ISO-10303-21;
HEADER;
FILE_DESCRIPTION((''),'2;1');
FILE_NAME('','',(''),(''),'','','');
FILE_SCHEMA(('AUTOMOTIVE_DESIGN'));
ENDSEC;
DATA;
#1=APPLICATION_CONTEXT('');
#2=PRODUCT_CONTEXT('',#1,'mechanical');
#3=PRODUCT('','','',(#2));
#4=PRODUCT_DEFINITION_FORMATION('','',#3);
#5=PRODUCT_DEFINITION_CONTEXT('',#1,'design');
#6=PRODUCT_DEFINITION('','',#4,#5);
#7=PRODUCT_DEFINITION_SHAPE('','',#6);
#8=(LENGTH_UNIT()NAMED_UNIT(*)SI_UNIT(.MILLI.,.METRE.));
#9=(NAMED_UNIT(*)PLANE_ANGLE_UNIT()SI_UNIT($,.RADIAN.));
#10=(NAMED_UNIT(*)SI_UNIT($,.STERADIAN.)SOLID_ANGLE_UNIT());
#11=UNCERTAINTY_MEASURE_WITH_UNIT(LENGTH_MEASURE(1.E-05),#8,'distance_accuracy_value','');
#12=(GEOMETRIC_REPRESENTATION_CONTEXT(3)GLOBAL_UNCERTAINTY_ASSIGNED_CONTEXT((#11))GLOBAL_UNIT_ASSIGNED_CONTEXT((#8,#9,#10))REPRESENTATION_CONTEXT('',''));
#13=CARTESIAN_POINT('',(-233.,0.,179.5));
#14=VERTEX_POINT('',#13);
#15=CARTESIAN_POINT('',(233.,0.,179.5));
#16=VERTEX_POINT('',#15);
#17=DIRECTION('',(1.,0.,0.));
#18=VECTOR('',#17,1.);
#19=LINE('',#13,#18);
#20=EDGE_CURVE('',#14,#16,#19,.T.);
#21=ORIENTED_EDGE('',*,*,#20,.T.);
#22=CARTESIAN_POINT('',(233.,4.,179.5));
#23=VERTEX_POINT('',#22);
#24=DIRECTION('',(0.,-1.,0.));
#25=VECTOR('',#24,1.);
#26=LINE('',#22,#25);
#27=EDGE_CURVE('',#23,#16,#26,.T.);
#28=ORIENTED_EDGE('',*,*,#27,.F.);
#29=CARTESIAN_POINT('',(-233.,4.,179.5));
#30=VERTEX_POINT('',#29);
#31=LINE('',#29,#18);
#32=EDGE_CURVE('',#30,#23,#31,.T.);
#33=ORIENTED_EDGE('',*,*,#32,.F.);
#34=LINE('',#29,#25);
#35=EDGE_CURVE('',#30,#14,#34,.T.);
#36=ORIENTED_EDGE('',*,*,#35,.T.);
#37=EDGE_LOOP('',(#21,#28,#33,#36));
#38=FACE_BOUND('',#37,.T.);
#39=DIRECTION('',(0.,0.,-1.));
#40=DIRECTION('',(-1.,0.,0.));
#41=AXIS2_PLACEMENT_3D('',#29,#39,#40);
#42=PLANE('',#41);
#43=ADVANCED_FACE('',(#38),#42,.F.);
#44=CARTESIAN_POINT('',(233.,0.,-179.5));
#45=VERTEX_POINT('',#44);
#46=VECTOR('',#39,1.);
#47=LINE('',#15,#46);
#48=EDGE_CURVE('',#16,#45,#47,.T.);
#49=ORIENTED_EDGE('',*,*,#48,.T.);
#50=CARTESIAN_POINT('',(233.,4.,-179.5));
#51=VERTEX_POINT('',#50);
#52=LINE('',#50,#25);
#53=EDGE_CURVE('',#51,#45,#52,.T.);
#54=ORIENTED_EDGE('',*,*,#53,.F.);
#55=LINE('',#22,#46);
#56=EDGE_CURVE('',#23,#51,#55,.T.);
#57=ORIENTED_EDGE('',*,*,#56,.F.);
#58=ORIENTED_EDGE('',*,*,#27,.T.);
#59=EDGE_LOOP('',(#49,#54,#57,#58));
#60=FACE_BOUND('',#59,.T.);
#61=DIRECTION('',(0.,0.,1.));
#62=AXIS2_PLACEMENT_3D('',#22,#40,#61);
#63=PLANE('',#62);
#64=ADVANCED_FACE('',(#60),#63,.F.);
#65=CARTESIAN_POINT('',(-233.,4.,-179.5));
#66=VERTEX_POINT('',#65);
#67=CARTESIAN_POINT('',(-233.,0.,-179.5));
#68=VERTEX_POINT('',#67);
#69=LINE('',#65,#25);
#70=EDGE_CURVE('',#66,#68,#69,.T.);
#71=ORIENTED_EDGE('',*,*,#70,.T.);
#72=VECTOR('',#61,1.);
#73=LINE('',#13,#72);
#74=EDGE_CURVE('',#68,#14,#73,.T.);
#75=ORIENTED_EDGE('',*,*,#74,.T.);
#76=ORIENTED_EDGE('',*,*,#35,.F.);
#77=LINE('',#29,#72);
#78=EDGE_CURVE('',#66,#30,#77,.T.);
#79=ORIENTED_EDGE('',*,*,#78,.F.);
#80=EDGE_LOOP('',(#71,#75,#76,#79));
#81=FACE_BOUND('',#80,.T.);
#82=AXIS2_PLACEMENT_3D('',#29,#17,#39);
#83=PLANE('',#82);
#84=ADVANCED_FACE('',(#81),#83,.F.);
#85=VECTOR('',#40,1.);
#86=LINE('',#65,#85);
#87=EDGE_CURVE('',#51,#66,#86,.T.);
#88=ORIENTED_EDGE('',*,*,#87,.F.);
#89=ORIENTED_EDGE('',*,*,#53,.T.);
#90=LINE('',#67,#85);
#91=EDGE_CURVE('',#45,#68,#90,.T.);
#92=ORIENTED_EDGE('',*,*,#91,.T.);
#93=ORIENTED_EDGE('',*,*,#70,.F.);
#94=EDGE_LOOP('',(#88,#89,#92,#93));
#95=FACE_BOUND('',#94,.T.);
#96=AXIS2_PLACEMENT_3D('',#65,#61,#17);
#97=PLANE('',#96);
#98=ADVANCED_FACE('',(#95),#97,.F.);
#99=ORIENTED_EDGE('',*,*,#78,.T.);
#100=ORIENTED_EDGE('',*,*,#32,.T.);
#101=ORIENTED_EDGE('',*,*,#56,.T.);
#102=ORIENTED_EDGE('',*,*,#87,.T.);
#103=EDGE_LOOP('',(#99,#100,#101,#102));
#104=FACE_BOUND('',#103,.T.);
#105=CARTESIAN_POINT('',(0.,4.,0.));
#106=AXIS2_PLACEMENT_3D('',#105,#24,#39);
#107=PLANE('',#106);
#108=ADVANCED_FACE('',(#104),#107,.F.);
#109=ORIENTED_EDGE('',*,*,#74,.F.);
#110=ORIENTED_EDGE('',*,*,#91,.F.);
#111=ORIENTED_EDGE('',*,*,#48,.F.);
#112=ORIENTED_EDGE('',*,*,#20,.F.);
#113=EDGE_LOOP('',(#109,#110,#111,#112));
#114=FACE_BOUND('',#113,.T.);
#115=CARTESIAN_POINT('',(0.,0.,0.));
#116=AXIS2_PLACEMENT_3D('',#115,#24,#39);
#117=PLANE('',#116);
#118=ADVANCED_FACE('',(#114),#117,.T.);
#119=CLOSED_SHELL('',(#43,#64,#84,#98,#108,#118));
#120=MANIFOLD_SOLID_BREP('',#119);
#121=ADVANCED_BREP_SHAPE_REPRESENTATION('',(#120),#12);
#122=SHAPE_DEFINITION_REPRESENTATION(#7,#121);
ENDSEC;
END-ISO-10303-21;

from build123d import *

# Parameters (mm, degrees)
SKETCH_1_W      = 466
SKETCH_1_H      = 359
EXTRUDE_1_DEPTH = 4


with BuildPart() as part:
    # Эскиз1 → Бобышка-Вытянуть1 (new body)
    with BuildSketch(Plane(origin=(0, 0, 0), x_dir=(1, 0, 0), z_dir=(0, 1, 0))):
        Rectangle(SKETCH_1_W, SKETCH_1_H)
    extrude(amount=EXTRUDE_1_DEPTH)


solid = part.part
